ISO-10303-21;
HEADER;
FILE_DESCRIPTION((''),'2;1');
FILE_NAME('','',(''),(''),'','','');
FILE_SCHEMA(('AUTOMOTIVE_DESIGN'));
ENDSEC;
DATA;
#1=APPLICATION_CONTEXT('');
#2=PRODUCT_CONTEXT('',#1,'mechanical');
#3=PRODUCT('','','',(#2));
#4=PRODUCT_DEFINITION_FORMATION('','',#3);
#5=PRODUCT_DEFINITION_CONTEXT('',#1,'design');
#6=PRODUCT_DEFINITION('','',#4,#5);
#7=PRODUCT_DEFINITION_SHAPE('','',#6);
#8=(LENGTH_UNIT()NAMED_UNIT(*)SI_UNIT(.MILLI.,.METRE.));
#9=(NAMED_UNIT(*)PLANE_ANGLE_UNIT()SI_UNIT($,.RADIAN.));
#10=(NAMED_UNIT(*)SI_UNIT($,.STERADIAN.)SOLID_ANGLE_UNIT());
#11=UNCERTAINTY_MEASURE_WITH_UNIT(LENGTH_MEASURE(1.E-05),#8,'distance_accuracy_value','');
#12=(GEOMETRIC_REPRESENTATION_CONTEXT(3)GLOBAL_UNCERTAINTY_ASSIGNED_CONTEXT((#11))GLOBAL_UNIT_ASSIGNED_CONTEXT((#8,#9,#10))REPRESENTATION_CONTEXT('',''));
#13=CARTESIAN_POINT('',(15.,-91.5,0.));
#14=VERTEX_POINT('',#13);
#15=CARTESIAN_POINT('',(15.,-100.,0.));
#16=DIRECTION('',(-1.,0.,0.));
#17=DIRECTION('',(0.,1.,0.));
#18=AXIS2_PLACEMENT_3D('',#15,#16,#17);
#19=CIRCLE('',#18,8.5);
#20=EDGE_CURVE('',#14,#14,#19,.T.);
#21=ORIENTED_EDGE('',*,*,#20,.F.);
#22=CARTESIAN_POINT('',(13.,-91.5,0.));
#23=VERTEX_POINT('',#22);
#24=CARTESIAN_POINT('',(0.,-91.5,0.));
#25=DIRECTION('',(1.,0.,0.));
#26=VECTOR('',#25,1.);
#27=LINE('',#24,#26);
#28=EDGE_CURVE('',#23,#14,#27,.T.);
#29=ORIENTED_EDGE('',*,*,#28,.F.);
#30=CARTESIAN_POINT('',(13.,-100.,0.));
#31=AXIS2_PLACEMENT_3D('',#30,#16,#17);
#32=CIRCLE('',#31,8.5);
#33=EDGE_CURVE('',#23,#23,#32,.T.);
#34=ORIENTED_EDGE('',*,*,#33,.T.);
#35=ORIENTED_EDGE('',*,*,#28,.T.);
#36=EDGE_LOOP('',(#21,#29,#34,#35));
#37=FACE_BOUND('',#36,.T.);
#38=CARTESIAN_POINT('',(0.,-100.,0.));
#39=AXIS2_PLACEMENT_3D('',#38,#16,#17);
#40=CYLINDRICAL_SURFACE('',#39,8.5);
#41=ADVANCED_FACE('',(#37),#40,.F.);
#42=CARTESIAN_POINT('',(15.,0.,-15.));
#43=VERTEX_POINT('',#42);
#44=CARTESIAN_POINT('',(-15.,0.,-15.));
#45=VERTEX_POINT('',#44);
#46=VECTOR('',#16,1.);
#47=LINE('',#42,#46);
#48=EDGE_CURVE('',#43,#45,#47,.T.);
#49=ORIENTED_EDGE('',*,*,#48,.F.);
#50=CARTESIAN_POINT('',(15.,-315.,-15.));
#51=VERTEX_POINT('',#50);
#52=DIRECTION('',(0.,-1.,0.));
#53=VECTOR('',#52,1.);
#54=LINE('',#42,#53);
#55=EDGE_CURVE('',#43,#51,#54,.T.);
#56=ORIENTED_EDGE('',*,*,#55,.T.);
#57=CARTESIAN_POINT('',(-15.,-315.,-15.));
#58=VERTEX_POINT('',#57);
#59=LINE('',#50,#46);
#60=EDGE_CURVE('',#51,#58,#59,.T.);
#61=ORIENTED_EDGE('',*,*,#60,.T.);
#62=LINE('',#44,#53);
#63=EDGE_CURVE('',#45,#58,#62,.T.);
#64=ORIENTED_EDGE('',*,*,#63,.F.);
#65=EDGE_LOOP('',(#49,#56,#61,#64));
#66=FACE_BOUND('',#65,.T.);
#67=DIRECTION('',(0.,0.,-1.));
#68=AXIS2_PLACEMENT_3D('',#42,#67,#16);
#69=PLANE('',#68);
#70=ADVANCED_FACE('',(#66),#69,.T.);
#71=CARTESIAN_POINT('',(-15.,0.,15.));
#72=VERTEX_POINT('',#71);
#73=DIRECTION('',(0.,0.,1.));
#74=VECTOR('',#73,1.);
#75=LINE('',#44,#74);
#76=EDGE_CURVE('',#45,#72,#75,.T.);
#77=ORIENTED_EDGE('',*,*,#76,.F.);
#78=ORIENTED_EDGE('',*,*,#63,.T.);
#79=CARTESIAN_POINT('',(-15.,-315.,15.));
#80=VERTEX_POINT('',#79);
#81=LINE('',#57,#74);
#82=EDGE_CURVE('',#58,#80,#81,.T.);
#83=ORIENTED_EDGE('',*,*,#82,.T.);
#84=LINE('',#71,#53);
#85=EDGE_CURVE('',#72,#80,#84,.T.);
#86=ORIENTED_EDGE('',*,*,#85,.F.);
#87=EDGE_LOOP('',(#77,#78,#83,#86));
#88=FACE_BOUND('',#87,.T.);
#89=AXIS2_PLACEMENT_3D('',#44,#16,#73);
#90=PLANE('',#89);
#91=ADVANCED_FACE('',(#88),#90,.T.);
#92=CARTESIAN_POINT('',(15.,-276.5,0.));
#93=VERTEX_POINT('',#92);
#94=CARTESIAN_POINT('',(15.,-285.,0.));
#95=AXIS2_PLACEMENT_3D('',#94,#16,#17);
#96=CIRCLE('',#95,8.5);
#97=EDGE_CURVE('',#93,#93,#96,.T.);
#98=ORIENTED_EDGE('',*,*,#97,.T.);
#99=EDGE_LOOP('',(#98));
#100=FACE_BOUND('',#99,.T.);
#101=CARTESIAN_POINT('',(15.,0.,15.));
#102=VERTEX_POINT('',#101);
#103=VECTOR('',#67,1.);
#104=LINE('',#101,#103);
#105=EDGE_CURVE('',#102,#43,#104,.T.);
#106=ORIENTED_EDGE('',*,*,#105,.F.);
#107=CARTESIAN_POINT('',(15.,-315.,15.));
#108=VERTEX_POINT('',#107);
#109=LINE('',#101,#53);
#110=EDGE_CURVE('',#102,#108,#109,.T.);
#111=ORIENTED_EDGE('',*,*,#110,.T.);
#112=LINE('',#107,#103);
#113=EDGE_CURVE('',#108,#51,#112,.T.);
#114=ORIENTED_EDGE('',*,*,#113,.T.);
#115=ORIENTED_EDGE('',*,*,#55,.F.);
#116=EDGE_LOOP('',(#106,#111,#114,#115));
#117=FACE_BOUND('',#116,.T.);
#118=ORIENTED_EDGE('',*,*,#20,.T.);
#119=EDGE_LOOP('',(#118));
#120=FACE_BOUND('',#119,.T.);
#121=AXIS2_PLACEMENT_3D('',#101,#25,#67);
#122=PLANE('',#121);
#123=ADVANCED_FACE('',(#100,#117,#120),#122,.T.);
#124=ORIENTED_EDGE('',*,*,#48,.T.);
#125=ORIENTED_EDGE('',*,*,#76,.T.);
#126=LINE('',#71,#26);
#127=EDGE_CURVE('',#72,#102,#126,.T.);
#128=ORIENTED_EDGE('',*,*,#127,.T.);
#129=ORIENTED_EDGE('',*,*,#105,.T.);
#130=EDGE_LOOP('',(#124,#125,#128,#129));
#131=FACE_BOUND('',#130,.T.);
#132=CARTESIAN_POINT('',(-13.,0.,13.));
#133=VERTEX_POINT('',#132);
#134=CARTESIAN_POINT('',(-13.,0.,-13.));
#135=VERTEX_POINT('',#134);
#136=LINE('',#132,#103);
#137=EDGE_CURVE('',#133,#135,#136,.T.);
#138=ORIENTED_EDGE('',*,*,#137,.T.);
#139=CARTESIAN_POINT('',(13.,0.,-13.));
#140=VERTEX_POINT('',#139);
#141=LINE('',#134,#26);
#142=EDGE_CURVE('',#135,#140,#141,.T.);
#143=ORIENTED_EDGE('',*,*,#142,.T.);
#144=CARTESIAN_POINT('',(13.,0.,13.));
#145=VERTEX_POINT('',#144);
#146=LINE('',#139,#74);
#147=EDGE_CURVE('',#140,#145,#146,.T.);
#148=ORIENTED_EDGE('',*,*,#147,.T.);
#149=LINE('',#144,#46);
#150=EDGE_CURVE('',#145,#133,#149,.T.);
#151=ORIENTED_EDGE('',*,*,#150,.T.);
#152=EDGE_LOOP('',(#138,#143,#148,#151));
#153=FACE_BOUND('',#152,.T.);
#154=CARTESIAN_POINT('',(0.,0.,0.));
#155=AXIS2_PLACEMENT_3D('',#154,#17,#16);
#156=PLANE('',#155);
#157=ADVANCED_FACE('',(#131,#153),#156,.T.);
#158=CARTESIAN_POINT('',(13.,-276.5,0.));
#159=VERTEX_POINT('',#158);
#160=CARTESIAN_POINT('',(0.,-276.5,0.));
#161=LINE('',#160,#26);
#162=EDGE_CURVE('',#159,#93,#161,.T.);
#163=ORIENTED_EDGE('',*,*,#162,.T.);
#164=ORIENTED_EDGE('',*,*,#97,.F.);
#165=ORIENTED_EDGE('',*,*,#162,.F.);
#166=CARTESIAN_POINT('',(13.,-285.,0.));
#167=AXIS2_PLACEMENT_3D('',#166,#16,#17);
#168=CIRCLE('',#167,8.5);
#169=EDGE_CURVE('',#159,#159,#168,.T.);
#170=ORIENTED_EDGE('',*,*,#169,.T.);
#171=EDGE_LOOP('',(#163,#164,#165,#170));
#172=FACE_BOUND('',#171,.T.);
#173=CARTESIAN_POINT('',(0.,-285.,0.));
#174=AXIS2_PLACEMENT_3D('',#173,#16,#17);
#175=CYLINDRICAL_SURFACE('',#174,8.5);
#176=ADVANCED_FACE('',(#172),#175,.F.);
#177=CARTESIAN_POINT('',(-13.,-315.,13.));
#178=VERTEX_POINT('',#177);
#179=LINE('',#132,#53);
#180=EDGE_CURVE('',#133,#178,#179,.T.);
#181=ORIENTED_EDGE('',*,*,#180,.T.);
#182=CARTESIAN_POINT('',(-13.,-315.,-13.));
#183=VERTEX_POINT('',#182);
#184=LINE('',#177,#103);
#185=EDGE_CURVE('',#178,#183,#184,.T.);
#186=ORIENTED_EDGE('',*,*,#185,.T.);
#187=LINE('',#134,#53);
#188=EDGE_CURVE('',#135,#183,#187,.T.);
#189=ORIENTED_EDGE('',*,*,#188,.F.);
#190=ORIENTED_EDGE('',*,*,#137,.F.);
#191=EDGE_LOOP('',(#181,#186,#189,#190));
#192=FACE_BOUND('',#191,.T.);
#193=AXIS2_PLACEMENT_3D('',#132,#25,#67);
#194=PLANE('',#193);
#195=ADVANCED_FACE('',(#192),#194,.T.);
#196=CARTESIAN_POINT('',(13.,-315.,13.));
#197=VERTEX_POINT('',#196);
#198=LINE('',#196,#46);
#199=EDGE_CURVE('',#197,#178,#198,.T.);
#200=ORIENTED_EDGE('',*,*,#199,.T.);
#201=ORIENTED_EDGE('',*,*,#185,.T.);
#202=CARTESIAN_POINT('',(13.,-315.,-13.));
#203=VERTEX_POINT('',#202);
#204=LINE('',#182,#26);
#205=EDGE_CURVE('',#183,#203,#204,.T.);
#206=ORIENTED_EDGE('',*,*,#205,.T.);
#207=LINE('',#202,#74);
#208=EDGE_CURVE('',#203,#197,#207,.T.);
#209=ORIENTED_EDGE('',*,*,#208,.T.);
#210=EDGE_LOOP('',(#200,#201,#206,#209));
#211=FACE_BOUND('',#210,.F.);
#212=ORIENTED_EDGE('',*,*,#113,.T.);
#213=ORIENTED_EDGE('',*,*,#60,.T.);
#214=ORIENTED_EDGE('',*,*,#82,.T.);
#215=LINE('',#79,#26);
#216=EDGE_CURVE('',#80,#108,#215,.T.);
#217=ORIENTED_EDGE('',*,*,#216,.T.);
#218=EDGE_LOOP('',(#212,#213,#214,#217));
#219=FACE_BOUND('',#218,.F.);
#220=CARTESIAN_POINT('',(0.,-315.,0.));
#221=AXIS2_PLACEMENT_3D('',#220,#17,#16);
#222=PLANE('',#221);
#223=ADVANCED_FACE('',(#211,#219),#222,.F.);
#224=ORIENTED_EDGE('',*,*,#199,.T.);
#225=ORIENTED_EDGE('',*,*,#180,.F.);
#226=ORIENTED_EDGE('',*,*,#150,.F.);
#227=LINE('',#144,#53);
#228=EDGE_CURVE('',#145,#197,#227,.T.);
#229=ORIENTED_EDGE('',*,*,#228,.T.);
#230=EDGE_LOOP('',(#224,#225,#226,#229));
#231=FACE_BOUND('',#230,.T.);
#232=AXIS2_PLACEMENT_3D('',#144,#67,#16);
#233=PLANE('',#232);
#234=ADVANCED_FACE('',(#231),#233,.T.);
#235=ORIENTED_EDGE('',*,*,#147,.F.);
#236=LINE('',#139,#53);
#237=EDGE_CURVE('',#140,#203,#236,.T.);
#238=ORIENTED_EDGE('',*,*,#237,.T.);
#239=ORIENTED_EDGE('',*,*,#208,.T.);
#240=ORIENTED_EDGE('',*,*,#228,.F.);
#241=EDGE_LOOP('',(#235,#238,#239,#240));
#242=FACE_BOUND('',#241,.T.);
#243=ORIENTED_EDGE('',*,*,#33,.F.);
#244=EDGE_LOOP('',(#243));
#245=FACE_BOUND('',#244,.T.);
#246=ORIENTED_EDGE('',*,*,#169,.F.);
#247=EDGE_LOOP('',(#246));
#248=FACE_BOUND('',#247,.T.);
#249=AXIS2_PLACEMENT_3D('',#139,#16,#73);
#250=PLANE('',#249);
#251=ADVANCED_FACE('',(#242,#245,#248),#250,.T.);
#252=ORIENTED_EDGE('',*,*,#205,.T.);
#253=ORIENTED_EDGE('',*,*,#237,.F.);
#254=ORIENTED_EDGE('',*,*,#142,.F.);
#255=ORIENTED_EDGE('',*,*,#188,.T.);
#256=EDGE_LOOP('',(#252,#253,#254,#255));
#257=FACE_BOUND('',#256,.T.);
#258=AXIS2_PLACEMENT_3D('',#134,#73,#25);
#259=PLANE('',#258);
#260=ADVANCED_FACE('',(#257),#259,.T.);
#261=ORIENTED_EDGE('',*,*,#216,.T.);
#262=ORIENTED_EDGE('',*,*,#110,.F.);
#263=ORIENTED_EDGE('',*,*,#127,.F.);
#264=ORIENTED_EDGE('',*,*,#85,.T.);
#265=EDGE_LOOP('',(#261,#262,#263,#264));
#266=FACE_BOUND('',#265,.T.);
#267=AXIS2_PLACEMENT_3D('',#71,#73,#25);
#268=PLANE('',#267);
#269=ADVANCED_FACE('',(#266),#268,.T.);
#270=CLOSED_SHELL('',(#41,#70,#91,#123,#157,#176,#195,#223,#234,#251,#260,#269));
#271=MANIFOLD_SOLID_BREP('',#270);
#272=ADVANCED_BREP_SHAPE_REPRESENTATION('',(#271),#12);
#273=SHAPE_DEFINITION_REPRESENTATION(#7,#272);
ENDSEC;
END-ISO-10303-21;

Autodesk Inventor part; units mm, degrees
ref_plane "YZ Plane" through (0, 0, 0) normal (1, 0, 0) x (0, 1, 0)
ref_plane "XZ Plane" through (0, 0, 0) normal (0, 1, 0) x (-1, 0, 0)
ref_plane "XY Plane" through (0, 0, 0) normal (0, 0, 1) x (1, 0, 0)
sketch "Sketch9" plane through (0, 0, 0) normal (0, 1, 0) x (-1, 0, 0)
  line L0 (15, 15) -> (-15, 15)
  line L1 (-15, 15) -> (-15, -15)
  line L2 (-15, -15) -> (15, -15)
  line L3 (15, -15) -> (15, 15)
  line L4 (15, 15) -> (-15, -15) construction
  line L5 (-15, 15) -> (15, -15) construction
  line L6 (-13, 13) -> (13, 13)
  line L7 (13, 13) -> (13, -13)
  line L8 (13, -13) -> (-13, -13)
  line L9 (-13, -13) -> (-13, 13)
  point P0 (0, 0)
  dimension "d172" = 30
  dimension "d173" = 30
  dimension "d174" = 2
extrude "Extrusion3" add sketch "Sketch9" against normal blind 315
sketch "Sketch10" plane through (0, 0, 0) normal (1, 0, 0) x (0, 1, 0)
  line L0 (0, 15) -> (0, -15) construction
  line L1 (0, 15) -> (-315, 15) construction
  line L2 (-315, -15) -> (-315, 15) construction
  line L3 (0, -15) -> (-315, -15) construction
  line L4 (-108.5, 8.5) -> (-91.5, 8.5)
  line L5 (-91.5, 8.5) -> (-91.5, -8.5)
  line L6 (-91.5, -8.5) -> (-108.5, -8.5)
  line L7 (-108.5, -8.5) -> (-108.5, 8.5)
  line L8 (-108.5, 8.5) -> (-91.5, -8.5) construction
  line L9 (-91.5, 8.5) -> (-108.5, -8.5) construction
  line L10 (-293.5, 8.5) -> (-276.5, 8.5)
  line L11 (-276.5, 8.5) -> (-276.5, -8.5)
  line L12 (-276.5, -8.5) -> (-293.5, -8.5)
  line L13 (-293.5, -8.5) -> (-293.5, 8.5)
  line L14 (-293.5, 8.5) -> (-276.5, -8.5) construction
  line L15 (-276.5, 8.5) -> (-293.5, -8.5) construction
  line L16 (-413.5, 8.5) -> (-396.5, 8.5)
  line L17 (-396.5, 8.5) -> (-396.5, -8.5)
  line L18 (-396.5, -8.5) -> (-413.5, -8.5)
  line L19 (-413.5, -8.5) -> (-413.5, 8.5)
  line L20 (-413.5, 8.5) -> (-396.5, -8.5) construction
  line L21 (-396.5, 8.5) -> (-413.5, -8.5) construction
  circle A0 centre (-470, 0) radius 8.5
  line L22 (0, 0) -> (30, 0)
  circle A1 centre (-100, 0) radius 8.5
  circle A2 centre (-285, 0) radius 8.5
  circle A3 centre (-405, 0) radius 8.5
  dimension "d177" = 17
  dimension "d178" = 17
  dimension "d181" = 30
  dimension "d182" = 130
  dimension "d183" = 315
  dimension "d184" = 435
  dimension "d185" = 500
  dimension "d186" = 17
extrude "Extrusion4" cut sketch "Sketch10" along normal through all contours A1 | A2
properties part number "SLM 1662 FDS 1000 way tube 2" material "Stainless Steel"
